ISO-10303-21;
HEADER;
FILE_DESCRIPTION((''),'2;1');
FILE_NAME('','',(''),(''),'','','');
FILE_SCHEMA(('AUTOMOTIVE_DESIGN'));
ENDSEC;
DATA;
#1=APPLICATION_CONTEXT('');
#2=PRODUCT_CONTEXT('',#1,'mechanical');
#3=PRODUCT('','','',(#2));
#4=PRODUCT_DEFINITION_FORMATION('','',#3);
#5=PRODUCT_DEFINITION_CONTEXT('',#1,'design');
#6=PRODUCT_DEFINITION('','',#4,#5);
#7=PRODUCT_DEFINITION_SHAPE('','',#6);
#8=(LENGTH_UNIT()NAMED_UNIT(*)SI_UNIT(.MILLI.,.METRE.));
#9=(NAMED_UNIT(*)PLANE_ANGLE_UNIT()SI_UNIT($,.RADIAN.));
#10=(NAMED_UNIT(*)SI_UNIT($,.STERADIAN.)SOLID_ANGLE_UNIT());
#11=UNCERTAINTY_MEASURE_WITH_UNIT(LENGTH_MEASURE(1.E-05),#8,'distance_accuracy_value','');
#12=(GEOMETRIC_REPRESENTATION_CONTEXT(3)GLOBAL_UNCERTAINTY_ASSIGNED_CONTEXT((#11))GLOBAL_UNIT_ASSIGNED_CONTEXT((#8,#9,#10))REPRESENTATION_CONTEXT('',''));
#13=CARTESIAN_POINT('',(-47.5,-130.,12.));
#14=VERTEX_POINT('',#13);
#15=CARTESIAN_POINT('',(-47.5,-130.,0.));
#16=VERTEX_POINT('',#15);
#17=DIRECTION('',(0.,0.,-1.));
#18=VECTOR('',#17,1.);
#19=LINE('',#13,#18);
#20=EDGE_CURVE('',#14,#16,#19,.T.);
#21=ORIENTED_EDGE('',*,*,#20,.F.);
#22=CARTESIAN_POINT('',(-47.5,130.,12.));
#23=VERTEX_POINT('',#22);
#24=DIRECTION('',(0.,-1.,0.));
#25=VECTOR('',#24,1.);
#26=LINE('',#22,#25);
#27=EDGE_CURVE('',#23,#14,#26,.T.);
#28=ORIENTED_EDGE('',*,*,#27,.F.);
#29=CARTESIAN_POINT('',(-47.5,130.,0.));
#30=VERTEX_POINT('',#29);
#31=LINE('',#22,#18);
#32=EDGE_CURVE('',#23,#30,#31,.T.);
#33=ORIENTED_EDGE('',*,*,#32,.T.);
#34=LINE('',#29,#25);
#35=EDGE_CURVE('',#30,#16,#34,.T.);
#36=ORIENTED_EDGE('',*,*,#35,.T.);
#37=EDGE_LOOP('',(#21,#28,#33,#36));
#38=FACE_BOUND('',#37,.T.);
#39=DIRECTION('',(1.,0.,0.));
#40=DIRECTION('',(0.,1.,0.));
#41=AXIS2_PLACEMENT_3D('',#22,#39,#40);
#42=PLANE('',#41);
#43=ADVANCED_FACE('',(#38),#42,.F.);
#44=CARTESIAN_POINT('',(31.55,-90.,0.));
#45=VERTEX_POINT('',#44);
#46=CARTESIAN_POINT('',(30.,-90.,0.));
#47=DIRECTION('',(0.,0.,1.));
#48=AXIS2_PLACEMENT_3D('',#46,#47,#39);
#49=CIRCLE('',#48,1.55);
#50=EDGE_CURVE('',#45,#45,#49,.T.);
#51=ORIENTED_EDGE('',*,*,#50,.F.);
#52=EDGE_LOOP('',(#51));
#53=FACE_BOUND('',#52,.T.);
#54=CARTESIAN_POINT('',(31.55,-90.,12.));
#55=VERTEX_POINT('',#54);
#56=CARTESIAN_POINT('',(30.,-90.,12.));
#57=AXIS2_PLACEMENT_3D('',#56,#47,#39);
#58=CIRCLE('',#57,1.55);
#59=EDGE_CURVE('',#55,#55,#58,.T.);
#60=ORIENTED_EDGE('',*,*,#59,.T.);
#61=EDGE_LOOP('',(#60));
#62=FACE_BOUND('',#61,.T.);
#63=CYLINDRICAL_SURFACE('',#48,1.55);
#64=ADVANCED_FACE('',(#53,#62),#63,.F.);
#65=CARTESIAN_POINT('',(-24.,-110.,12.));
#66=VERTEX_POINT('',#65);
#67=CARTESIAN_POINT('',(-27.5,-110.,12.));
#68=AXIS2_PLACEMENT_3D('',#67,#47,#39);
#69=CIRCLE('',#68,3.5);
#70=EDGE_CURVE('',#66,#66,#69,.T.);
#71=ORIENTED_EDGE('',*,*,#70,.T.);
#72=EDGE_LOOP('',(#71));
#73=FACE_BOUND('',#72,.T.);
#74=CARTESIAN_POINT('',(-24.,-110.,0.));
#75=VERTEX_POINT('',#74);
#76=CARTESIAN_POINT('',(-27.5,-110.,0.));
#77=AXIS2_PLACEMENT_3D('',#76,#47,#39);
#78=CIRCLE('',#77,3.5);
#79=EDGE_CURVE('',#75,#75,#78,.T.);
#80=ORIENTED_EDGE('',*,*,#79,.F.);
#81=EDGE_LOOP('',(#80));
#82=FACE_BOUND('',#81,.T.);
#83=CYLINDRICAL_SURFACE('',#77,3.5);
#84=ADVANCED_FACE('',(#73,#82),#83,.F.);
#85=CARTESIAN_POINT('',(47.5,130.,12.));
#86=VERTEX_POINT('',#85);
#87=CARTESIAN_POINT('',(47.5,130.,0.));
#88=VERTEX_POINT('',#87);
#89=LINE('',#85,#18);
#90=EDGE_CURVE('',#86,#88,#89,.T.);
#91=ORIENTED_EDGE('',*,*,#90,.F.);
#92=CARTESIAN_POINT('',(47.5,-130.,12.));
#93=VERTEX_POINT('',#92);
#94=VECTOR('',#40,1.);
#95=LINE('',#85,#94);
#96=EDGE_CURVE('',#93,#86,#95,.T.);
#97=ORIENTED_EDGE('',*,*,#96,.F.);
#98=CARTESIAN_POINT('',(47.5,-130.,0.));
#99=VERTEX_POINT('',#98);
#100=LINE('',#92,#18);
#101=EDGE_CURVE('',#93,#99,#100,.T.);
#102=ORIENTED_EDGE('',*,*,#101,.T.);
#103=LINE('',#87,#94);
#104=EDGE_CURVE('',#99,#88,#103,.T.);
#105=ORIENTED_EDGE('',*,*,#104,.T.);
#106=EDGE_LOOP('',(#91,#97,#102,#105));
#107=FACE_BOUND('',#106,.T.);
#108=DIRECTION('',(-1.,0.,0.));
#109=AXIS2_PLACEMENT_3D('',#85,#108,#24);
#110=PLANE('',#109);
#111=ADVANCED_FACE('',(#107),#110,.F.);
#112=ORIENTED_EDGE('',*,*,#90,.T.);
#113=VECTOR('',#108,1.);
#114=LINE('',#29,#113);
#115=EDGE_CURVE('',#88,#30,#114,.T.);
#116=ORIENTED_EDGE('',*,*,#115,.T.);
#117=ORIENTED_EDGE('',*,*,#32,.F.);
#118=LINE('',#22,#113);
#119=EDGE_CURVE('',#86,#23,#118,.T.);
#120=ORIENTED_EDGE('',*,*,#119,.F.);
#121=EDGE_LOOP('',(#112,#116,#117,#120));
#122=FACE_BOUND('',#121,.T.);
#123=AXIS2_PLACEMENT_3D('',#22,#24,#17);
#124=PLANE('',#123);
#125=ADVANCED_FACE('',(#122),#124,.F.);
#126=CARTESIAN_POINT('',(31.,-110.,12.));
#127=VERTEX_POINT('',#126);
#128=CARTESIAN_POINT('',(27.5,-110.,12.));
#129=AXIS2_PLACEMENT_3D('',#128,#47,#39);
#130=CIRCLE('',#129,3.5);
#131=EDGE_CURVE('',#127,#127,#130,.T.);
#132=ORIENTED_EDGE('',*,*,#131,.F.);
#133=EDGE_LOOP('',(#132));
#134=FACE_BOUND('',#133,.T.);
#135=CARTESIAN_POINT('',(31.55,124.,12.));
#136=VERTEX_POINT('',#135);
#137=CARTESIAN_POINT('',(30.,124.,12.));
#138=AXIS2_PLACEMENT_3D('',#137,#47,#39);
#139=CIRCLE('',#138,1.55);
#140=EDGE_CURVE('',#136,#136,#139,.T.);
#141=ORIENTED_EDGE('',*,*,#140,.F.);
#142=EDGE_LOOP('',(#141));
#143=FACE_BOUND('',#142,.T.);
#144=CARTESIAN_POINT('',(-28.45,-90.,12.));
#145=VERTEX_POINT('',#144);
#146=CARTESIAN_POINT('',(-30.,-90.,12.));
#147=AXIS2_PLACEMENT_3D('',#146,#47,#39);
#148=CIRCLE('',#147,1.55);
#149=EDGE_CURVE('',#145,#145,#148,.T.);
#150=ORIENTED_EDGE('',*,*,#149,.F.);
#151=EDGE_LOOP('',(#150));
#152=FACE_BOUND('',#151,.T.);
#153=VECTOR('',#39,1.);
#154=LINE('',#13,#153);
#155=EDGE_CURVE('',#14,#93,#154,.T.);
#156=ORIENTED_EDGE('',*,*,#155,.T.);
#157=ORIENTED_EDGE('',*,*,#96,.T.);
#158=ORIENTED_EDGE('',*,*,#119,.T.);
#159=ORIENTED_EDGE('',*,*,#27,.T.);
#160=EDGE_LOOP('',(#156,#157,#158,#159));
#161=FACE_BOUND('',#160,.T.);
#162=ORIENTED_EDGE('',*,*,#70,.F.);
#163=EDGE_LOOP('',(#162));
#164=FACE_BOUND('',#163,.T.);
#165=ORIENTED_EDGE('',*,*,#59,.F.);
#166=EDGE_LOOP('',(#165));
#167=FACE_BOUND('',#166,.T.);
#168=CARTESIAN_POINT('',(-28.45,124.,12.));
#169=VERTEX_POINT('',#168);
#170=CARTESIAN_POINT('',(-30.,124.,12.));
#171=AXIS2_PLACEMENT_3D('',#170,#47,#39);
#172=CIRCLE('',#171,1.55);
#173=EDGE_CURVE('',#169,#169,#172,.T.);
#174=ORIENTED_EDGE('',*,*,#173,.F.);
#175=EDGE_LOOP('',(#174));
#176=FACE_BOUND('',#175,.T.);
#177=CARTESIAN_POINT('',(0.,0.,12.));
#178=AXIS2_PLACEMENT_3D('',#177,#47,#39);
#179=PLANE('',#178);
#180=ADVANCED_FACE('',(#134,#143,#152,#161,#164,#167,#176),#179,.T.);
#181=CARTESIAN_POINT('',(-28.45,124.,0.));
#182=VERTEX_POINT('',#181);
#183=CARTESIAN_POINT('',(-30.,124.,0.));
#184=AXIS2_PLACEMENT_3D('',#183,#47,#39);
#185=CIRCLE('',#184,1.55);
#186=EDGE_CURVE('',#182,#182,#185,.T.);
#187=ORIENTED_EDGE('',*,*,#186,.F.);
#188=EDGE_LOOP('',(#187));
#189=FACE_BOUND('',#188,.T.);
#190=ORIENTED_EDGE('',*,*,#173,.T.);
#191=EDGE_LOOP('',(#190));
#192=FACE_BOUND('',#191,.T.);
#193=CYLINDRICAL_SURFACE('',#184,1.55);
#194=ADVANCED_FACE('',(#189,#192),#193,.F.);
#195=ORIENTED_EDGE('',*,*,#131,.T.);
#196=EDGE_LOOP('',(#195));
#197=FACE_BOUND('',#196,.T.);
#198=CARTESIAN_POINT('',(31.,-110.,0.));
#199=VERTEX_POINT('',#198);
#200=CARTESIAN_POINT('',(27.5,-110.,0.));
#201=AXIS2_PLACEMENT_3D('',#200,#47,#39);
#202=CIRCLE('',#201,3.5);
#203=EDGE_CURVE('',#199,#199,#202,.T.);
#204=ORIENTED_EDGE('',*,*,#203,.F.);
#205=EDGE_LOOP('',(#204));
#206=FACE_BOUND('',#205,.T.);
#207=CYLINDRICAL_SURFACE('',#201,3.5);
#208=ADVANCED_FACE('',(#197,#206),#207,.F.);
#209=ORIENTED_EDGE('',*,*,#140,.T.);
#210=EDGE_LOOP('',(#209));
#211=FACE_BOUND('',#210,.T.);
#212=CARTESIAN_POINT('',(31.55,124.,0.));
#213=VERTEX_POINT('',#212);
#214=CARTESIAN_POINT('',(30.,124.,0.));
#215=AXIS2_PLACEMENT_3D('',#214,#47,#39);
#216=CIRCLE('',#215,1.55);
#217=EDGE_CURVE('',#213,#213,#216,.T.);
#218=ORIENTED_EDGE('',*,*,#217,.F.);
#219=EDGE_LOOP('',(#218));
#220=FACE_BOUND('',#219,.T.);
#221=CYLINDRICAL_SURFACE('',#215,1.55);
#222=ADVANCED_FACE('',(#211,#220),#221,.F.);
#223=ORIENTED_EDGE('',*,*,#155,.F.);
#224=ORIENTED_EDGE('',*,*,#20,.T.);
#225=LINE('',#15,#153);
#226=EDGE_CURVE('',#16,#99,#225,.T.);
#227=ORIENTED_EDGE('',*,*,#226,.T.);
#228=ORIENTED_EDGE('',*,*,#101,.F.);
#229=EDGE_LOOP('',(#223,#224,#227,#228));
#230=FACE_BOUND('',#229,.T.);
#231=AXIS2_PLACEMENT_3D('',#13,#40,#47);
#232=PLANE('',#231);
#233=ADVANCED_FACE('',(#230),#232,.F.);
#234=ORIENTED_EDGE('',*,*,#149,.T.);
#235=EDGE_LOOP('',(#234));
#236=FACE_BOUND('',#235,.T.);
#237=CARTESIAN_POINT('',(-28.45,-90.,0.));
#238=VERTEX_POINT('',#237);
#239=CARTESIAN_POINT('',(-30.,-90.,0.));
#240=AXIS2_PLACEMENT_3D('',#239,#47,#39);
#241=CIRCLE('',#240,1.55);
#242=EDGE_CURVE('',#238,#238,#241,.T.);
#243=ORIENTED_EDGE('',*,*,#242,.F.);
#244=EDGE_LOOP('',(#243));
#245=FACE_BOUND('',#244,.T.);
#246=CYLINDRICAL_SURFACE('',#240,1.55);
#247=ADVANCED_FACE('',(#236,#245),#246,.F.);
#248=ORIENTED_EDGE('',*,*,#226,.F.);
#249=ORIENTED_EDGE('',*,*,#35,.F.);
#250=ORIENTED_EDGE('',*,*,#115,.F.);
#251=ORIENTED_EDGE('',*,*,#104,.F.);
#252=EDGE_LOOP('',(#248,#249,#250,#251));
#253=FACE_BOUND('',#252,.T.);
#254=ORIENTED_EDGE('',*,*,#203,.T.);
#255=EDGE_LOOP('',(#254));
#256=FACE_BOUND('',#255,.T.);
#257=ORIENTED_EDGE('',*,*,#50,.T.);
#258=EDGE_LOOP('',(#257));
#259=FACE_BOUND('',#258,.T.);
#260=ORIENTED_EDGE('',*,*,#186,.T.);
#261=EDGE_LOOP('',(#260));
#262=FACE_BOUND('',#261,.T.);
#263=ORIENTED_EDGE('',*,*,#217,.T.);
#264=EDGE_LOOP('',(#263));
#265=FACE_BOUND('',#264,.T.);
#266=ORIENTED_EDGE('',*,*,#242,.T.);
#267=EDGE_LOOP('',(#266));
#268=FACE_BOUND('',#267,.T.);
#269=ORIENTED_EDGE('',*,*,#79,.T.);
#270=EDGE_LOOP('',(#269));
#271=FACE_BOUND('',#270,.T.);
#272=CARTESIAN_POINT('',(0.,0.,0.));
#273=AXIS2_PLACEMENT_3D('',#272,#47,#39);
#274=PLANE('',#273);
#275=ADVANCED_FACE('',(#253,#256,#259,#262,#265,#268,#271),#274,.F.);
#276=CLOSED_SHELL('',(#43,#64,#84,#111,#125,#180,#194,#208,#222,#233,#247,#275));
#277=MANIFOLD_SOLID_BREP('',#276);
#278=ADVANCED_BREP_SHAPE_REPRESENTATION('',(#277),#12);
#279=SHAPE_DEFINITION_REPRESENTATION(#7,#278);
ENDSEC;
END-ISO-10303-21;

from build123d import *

# Parameters (mm, degrees)
SKETCH1_W           = 95
SKETCH1_H           = 260
BOSS_EXTRUDE1_DEPTH = 12
SKETCH3_R           = 3.5
CUT_EXTRUDE1_DEPTH  = 13
SKETCH4_R           = 1.55
CUT_EXTRUDE2_DEPTH  = 13


with BuildPart() as part:
    # Sketch1 → Boss-Extrude1 (new body)
    with BuildSketch(Plane.XY):
        Rectangle(SKETCH1_W, SKETCH1_H)
    extrude(amount=BOSS_EXTRUDE1_DEPTH)

    # Sketch3 → Cut-Extrude1 (cut, through all)
    with BuildSketch(Plane.XY.offset(12)):
        with Locations((-27.5, -110)):
            Circle(SKETCH3_R)
        with Locations((27.5, -110)):
            Circle(SKETCH3_R)
    extrude(amount=-CUT_EXTRUDE1_DEPTH, mode=Mode.SUBTRACT)

    # Sketch4 → Cut-Extrude2 (cut, through all)
    with BuildSketch(Plane.XY.offset(12)):
        with Locations((-30, -90)):
            Circle(SKETCH4_R)
        with Locations((30, -90)):
            Circle(SKETCH4_R)
        with Locations((30, 124)):
            Circle(SKETCH4_R)
        with Locations((-30, 124)):
            Circle(SKETCH4_R)
    extrude(amount=-CUT_EXTRUDE2_DEPTH, mode=Mode.SUBTRACT)


solid = part.part
